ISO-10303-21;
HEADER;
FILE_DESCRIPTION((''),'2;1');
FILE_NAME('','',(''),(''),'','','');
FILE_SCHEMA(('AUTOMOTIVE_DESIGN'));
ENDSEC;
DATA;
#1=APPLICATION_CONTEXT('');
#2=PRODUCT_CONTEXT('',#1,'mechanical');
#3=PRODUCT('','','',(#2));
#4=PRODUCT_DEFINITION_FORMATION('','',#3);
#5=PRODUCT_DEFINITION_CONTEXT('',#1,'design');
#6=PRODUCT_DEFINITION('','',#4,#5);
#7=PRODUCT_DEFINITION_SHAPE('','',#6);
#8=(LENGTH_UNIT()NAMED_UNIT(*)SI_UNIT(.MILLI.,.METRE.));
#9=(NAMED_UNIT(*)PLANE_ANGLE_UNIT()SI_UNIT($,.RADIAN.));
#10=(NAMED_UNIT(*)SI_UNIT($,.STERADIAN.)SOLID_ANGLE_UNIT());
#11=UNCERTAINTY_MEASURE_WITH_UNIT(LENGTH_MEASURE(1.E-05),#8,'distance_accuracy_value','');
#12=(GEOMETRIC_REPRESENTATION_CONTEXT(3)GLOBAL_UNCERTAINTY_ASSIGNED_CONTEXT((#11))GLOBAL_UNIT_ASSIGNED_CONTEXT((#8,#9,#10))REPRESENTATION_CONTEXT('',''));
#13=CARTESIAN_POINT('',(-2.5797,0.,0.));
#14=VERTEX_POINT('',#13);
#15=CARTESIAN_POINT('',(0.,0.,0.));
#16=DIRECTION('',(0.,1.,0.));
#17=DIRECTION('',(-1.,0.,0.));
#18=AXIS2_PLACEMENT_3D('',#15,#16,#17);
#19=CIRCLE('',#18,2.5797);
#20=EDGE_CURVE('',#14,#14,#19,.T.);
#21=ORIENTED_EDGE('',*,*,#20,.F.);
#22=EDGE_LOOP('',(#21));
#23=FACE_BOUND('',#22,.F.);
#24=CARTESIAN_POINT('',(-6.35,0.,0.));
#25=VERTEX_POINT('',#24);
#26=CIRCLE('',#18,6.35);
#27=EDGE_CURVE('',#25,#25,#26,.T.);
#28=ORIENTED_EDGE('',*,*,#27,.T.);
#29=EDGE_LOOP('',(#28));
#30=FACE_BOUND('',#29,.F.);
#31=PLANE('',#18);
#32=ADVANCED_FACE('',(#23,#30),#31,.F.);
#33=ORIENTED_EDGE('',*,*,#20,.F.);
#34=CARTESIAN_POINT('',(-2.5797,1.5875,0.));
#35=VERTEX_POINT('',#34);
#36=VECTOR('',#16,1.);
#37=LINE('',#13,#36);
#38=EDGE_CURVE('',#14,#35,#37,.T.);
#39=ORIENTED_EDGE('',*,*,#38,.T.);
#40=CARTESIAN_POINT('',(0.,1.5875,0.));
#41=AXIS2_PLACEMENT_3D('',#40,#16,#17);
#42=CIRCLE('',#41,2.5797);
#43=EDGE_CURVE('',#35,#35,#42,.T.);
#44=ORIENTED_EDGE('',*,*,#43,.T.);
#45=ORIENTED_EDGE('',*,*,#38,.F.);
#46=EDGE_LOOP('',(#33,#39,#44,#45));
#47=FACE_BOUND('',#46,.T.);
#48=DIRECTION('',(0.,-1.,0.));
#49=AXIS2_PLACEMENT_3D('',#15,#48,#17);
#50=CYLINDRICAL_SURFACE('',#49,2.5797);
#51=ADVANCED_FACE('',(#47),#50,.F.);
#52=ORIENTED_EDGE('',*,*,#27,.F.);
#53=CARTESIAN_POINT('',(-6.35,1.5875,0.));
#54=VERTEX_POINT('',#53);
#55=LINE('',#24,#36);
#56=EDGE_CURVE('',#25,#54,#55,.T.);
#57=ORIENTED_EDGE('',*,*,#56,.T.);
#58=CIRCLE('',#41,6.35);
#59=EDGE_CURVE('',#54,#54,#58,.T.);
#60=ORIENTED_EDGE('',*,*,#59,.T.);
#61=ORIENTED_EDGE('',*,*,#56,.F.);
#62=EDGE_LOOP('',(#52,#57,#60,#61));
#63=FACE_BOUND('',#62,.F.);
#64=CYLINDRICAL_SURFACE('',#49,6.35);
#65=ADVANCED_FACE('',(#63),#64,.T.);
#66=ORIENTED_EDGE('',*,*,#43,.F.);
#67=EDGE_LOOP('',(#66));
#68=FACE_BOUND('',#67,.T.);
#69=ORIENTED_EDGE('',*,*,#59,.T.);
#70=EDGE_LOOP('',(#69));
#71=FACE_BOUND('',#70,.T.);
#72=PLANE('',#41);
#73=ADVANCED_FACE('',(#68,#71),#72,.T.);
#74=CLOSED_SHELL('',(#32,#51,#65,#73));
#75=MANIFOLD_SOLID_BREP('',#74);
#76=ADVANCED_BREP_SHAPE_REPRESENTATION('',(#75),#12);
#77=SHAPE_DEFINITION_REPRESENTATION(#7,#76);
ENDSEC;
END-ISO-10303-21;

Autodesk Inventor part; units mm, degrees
ref_plane "YZ Plane" through (0, 0, 0) normal (1, 0, 0) x (0, 1, 0)
ref_plane "XZ Plane" through (0, 0, 0) normal (0, 1, 0) x (-1, 0, 0)
ref_plane "XY Plane" through (0, 0, 0) normal (0, 0, 1) x (1, 0, 0)
sketch "Sketch1" plane through (0, 0, 0) normal (0, 1, 0) x (-1, 0, 0)
  circle A0 centre (0, 0) radius 2.5797
  circle A1 centre (0, 0) radius 6.35
  dimension "d0" = 5.1594
  dimension "d1" = 12.7
extrude "Extrusion1" add sketch "Sketch1" along normal blind 1.5875
properties part number "Pusher Spacer"
